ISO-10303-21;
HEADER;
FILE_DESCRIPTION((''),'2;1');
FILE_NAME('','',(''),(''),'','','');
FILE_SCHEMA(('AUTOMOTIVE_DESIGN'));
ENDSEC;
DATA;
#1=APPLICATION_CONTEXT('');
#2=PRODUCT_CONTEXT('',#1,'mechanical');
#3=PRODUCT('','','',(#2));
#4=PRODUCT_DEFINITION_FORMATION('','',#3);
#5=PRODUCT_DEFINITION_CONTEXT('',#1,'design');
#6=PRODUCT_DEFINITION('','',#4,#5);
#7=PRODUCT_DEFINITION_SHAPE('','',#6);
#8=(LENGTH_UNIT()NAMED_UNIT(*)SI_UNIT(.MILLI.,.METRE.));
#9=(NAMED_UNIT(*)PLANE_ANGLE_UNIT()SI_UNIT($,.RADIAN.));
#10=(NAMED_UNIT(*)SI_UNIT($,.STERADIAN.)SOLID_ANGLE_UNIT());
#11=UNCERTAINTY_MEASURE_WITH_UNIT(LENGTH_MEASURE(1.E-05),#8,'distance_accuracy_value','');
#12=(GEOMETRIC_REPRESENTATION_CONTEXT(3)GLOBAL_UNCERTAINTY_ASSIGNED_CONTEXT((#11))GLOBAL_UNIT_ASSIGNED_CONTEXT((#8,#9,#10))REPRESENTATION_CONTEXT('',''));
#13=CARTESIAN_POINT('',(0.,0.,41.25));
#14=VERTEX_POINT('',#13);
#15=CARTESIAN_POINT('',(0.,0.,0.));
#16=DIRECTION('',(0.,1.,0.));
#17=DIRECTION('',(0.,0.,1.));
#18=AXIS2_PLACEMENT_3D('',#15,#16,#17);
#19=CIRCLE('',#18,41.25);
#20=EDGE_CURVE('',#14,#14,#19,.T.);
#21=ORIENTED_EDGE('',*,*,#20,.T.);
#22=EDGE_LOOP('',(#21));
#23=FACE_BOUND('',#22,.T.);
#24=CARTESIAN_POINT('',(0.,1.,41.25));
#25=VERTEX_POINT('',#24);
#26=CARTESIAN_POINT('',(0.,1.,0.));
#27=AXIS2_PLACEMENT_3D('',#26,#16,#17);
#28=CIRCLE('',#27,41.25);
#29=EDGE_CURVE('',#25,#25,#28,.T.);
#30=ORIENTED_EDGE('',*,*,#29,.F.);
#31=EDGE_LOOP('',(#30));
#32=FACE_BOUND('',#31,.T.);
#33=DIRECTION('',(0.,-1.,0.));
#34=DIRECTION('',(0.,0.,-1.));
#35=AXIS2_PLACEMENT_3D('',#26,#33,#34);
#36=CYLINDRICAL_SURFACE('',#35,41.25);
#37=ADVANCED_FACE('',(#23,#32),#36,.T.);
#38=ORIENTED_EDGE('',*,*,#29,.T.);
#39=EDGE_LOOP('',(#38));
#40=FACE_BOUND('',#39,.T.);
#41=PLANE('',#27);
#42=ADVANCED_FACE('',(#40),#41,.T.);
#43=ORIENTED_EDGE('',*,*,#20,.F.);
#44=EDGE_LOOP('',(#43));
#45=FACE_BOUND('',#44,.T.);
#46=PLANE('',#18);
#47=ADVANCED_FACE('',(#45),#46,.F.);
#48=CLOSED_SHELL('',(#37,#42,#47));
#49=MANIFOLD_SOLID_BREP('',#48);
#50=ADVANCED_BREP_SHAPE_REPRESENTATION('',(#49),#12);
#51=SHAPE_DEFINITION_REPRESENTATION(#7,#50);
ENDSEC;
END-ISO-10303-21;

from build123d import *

# Parameters (mm, degrees)
ESQUISSE1_R        = 41.25
BOSS_EXTRU_1_DEPTH = 1


with BuildPart() as part:
    # Esquisse1 → Boss.-Extru.1 (new body)
    with BuildSketch(Plane(origin=(0, 0, 0), x_dir=(1, 0, 0), z_dir=(0, 1, 0))):
        with Locations(Location((0, 0, 0), (0, 0, 270))):
            Circle(ESQUISSE1_R)
    extrude(amount=BOSS_EXTRU_1_DEPTH)


solid = part.part
